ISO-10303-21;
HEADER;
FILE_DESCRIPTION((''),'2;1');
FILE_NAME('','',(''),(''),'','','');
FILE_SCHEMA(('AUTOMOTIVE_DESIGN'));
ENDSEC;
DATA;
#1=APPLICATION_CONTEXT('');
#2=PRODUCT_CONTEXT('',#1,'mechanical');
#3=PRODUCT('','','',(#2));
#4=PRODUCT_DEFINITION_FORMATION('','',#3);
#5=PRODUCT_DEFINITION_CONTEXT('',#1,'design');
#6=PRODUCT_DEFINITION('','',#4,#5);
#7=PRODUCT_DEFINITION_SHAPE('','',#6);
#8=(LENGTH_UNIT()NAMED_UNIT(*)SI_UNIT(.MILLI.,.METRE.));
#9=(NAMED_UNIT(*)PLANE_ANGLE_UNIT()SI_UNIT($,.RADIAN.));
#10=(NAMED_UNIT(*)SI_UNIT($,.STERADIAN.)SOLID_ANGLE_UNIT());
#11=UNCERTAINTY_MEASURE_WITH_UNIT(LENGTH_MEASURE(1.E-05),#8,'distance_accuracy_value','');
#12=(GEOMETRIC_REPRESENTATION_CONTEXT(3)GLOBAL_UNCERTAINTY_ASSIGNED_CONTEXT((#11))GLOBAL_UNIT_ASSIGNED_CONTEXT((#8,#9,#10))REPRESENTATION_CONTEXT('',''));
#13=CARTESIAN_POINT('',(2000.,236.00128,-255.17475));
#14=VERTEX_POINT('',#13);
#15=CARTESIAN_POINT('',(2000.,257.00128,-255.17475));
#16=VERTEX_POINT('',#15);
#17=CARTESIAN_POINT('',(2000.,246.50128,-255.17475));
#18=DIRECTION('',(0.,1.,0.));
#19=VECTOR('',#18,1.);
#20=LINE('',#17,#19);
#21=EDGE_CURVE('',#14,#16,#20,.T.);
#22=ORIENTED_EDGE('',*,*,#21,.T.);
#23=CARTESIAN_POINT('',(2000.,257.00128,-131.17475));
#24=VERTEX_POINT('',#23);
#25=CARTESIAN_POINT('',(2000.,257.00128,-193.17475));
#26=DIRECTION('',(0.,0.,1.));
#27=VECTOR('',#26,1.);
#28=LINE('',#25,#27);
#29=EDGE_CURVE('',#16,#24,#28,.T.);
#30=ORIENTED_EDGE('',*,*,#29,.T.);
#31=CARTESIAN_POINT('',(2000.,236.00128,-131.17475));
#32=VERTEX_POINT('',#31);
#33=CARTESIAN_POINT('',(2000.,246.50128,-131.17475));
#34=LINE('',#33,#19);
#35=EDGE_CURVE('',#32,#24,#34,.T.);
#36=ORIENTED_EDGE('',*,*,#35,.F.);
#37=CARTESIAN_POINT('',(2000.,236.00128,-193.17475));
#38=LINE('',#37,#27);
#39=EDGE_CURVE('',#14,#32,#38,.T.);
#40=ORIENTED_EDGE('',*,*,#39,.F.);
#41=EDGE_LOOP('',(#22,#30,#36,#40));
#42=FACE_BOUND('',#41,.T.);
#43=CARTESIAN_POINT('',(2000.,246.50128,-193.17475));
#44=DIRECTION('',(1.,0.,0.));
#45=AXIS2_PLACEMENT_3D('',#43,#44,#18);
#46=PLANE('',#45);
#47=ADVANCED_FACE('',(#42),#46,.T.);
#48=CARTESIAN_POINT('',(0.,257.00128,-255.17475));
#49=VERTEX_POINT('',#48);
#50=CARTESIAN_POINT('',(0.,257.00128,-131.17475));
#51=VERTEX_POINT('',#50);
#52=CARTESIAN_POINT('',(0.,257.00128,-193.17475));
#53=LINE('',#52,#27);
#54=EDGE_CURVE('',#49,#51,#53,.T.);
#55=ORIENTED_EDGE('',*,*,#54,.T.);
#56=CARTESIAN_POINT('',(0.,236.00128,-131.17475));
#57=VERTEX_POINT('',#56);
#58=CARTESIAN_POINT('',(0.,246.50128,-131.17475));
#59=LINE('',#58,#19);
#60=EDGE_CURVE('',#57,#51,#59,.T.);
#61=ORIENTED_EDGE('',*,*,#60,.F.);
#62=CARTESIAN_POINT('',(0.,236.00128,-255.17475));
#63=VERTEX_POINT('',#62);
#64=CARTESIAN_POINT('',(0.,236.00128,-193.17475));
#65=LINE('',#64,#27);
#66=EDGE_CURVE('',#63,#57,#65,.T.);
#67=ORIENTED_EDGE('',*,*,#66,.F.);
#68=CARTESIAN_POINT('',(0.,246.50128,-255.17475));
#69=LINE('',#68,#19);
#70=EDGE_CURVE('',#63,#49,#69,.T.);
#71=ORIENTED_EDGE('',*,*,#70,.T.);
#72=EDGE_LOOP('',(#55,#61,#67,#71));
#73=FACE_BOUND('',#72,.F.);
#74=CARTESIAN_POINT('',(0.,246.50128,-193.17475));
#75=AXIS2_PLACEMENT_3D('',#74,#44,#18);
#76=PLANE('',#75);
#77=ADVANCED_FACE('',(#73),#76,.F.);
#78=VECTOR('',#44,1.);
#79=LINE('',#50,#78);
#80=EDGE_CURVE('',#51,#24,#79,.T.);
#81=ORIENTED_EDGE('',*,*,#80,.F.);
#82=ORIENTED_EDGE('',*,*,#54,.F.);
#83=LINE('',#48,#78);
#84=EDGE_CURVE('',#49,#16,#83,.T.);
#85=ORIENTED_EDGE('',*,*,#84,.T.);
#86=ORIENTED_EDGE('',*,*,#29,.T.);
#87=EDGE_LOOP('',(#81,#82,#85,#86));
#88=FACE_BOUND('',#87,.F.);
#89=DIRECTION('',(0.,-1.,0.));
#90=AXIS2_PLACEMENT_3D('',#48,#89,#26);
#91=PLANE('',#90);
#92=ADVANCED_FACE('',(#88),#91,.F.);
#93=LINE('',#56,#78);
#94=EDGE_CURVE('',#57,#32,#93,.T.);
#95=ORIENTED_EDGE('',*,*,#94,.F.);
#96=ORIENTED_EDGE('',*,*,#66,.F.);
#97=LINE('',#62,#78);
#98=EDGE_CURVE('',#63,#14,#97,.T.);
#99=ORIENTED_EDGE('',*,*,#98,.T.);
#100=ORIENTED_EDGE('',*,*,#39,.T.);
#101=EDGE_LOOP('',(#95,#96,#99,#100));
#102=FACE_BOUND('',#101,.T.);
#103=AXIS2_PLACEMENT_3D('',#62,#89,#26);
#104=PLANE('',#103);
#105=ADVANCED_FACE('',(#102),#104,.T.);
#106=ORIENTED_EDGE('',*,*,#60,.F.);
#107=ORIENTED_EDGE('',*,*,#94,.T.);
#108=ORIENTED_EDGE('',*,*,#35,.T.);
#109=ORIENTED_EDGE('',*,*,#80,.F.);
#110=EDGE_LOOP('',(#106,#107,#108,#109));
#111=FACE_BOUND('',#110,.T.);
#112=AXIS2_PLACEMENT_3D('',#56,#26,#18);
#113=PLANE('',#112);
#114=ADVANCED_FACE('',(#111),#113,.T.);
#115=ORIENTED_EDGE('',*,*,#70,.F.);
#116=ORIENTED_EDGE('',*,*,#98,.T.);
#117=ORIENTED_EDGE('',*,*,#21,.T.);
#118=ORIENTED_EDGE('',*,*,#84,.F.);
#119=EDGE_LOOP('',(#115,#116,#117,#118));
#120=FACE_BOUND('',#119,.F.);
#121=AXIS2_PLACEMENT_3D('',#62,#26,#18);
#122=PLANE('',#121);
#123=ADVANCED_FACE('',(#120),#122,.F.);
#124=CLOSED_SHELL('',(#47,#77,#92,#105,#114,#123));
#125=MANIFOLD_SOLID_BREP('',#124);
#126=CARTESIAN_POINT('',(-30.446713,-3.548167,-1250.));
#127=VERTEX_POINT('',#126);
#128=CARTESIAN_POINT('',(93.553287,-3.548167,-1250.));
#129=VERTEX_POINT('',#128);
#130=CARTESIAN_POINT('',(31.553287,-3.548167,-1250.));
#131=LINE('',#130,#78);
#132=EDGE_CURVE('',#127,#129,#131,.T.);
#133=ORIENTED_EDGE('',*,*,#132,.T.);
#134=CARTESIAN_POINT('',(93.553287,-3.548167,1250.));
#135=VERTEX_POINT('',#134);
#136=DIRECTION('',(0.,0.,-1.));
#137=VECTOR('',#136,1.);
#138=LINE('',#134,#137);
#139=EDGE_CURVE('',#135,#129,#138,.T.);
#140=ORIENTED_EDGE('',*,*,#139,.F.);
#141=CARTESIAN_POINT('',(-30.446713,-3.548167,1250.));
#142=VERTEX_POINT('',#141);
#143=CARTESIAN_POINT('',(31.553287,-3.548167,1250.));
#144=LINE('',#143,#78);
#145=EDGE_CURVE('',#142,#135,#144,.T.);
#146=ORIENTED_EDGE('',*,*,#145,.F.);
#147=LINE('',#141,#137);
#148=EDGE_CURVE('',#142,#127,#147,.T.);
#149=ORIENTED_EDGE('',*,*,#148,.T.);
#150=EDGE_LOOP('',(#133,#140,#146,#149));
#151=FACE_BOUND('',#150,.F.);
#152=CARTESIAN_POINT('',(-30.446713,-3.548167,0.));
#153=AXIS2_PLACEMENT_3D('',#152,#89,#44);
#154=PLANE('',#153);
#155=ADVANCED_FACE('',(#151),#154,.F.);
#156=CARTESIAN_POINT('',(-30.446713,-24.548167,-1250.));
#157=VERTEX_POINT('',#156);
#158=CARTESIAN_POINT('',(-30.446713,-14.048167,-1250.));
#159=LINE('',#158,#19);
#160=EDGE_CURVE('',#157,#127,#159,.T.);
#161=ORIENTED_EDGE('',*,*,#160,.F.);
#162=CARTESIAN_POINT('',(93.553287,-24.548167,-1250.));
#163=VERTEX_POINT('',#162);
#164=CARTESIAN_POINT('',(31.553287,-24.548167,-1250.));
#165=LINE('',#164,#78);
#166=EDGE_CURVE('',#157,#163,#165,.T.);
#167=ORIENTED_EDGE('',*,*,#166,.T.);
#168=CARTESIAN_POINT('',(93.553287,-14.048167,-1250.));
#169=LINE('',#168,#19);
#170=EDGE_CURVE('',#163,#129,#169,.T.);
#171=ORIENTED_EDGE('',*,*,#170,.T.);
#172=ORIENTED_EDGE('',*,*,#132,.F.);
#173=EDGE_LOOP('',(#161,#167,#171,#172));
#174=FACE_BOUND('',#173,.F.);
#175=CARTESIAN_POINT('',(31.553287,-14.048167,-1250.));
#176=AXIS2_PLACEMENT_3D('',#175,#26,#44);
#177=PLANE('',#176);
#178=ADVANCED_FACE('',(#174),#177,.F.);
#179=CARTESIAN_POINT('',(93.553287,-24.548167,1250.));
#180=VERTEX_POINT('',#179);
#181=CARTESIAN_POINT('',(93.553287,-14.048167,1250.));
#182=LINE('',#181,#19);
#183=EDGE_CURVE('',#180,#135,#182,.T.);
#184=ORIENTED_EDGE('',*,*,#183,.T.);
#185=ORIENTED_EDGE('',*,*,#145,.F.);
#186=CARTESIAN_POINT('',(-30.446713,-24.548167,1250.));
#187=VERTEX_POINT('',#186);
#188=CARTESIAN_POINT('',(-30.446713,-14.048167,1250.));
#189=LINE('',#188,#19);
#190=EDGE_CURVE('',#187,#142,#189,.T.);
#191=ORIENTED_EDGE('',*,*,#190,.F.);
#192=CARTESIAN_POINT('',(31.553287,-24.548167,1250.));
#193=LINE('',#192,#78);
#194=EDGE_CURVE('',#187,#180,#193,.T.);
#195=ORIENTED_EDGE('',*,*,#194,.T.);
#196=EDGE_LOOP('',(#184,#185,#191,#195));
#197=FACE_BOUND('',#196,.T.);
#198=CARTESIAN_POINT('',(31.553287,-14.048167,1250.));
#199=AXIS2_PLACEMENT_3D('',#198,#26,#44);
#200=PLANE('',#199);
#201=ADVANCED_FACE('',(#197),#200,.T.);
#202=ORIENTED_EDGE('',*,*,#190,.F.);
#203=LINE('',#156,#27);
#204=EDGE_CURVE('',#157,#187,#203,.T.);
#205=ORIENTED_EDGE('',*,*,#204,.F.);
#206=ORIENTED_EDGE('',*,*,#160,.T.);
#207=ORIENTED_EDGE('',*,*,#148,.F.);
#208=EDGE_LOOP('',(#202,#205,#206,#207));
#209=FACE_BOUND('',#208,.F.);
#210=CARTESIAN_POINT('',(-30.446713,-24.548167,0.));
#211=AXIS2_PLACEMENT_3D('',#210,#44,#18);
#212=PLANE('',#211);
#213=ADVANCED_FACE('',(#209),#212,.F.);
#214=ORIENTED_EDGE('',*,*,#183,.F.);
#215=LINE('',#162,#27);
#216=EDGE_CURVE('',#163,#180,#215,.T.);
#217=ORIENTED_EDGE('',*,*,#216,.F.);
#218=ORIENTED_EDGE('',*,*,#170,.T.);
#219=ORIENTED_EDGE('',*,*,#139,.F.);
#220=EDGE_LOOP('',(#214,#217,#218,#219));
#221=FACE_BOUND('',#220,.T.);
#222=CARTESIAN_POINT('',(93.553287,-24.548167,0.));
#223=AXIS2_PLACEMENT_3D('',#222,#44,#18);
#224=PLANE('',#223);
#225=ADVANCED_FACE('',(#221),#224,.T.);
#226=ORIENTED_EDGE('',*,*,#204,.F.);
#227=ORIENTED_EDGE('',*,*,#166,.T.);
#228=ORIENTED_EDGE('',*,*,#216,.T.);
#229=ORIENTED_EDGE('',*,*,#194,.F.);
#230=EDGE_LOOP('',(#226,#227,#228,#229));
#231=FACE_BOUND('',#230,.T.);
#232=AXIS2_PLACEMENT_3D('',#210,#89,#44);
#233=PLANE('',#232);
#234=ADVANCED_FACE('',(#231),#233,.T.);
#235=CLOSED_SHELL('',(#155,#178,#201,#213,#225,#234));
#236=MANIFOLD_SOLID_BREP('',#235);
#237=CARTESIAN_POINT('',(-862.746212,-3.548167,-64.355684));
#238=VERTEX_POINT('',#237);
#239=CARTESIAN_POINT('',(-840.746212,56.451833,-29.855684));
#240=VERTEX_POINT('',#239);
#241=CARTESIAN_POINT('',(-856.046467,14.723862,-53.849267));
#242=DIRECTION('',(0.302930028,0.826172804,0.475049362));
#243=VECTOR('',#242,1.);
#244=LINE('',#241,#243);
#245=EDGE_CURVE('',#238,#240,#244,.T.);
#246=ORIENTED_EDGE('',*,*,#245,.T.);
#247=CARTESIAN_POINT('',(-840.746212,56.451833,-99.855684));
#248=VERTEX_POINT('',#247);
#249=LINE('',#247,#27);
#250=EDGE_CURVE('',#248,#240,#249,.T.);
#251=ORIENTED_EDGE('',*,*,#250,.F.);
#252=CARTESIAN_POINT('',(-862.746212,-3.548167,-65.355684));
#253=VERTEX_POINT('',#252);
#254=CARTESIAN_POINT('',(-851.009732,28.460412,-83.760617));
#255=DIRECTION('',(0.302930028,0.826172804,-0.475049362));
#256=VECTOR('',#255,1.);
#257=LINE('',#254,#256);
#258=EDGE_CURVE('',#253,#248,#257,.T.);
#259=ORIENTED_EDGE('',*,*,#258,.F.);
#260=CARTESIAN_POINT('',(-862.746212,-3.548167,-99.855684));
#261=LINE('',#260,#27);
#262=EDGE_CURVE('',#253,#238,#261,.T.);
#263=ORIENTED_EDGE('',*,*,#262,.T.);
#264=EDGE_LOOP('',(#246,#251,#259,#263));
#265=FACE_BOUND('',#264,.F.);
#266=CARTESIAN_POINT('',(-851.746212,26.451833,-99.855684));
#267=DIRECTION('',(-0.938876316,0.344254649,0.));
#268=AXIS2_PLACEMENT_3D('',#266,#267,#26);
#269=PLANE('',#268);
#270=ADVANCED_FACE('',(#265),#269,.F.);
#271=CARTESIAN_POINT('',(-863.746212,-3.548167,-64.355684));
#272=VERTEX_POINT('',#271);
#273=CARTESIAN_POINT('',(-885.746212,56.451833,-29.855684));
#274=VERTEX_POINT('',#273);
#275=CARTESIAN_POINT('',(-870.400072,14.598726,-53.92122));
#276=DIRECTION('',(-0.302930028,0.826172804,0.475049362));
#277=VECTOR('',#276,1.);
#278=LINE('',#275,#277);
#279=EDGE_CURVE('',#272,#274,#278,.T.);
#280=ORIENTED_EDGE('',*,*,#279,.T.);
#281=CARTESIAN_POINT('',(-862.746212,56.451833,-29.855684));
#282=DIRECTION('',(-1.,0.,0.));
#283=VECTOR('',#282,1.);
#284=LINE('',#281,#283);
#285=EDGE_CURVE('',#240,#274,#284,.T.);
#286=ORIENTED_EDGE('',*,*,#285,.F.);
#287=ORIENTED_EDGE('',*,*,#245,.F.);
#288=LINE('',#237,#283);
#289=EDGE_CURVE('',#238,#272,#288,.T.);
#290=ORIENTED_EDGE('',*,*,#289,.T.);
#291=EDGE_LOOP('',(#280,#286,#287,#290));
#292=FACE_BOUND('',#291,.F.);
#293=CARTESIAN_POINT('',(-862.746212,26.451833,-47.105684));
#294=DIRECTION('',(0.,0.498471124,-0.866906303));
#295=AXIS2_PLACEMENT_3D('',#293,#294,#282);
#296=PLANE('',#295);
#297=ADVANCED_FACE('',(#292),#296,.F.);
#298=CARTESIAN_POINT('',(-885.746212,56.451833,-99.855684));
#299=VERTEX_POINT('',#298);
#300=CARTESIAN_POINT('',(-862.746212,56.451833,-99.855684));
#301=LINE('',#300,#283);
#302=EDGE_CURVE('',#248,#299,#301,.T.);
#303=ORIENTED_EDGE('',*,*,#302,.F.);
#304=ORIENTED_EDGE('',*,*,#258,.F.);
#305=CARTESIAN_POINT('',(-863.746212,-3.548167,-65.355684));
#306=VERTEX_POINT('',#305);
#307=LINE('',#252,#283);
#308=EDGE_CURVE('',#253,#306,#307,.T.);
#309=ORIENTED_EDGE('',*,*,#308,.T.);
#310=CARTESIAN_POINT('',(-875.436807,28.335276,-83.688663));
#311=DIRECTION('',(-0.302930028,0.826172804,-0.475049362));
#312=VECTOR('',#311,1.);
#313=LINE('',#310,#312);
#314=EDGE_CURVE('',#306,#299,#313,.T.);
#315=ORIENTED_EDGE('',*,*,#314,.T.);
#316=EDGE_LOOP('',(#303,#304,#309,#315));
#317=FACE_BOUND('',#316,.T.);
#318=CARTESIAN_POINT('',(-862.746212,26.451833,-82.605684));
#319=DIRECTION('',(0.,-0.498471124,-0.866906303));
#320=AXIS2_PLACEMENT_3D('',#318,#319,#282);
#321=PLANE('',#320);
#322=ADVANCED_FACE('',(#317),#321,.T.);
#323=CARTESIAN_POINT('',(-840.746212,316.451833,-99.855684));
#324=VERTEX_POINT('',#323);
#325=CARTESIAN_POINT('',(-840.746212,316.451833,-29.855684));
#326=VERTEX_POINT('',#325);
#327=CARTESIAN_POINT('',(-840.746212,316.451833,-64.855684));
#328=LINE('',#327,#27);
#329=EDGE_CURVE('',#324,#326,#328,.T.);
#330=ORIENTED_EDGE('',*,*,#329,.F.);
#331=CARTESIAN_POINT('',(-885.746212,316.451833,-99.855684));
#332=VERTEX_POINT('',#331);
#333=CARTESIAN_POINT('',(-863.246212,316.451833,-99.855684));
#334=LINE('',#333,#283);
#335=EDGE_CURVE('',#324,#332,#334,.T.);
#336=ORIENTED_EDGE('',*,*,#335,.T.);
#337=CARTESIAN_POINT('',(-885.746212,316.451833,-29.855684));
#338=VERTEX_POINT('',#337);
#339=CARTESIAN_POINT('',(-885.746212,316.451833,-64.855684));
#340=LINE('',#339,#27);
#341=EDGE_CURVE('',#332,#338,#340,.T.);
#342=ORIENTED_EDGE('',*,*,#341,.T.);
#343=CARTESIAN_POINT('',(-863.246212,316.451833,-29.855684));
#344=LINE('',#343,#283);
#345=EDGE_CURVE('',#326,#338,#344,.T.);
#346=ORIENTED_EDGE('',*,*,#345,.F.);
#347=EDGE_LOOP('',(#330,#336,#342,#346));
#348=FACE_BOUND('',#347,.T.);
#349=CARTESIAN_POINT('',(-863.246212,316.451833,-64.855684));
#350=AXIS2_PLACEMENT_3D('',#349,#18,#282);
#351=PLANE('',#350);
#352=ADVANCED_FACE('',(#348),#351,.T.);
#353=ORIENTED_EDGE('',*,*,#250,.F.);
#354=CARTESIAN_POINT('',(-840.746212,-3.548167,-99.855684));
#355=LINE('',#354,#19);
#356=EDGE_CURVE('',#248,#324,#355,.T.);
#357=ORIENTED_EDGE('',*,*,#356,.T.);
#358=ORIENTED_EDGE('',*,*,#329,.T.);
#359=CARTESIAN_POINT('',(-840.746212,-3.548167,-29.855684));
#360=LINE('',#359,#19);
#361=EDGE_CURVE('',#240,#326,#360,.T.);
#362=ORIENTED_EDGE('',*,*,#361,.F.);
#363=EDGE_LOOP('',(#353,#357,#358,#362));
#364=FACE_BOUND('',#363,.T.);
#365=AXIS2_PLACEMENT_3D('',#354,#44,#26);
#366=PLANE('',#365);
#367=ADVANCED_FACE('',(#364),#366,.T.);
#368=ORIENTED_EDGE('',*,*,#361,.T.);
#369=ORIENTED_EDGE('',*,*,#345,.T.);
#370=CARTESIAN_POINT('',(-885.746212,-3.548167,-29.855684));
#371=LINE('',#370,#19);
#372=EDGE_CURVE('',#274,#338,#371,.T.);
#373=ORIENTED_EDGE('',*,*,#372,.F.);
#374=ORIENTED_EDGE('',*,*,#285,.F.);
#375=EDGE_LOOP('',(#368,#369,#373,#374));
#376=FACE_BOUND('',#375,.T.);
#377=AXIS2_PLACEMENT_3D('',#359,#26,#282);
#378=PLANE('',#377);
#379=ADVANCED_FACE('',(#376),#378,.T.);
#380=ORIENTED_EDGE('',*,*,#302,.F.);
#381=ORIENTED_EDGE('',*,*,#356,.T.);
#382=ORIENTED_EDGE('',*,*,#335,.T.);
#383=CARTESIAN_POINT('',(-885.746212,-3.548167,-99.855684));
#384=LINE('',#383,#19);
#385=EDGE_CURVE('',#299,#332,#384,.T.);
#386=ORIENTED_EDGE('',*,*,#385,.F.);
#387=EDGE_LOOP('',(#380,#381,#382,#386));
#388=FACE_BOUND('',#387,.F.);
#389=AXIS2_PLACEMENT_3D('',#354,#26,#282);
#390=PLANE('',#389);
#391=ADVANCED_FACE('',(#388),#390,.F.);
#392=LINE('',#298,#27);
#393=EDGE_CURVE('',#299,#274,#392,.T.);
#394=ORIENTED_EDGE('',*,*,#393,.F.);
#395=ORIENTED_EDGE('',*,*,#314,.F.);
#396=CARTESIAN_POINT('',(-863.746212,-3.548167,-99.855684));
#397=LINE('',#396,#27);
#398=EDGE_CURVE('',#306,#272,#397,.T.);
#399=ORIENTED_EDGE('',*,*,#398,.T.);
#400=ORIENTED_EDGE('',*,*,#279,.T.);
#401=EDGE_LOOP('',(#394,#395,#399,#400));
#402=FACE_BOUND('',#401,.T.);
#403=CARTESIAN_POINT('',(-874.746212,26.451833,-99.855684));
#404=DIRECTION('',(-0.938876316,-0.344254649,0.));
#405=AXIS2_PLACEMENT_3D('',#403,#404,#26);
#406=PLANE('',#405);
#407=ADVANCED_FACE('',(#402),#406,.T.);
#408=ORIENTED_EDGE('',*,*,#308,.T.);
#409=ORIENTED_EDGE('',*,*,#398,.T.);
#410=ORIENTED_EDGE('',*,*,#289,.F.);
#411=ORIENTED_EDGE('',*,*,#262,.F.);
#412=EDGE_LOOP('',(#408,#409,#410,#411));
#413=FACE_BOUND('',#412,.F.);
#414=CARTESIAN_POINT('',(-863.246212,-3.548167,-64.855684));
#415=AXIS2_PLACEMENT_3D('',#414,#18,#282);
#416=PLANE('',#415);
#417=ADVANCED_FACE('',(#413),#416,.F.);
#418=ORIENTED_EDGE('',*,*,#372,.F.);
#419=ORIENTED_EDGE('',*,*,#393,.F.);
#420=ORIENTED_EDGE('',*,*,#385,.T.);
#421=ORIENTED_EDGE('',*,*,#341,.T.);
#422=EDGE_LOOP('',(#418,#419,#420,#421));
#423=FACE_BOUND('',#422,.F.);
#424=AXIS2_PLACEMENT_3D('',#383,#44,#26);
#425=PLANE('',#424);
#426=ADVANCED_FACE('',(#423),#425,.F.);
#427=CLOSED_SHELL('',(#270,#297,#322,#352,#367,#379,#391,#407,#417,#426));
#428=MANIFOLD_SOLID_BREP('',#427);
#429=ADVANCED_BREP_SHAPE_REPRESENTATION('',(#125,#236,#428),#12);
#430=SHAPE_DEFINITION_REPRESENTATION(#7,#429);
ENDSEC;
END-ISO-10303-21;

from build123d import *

# Parameters (mm, degrees)
F0_W     = 124
F0_H     = 21
F1_DEPTH = 1250
F2_W     = 45
F2_H     = 70
F3_DEPTH = 320
F4_SIZE2 = 60
F4_SIZE  = 22
F5_SIZE2 = 60
F5_SIZE  = 34.5
F6_W     = 21
F6_H     = 124
F7_DEPTH = 2000


with BuildPart() as f1:
    # F0 (on Top) → F1 (new body, symmetric)
    with BuildSketch(Plane.XY):
        with Locations((31.553287496, -14.0481669903)):
            Rectangle(F0_W, F0_H)
    extrude(amount=F1_DEPTH, both=True)


with BuildPart() as f3:
    # F2 (on face) → F3 (new body)
    with BuildSketch(Plane(origin=(0, -3.5481669903, 0), x_dir=(-1, 0, 0), z_dir=(0, 1, 0))):
        with Locations((863.2462115258, -64.8556835949)):
            Rectangle(F2_W, F2_H)
    extrude(amount=F3_DEPTH)

    # F4
    f4_edges = [f3.edges().sort_by_distance(p)[0] for p in [
        (-840.746212, -3.548167, -64.855684),
        (-885.746212, -3.548167, -64.855684),
    ]]
    f4_side = f3.faces().sort_by_distance((-863.246212, -3.548167, -64.855684))[0]
    chamfer(f4_edges, length=F4_SIZE, length2=F4_SIZE2, reference=f4_side)

    # F5
    f5_edges = [f3.edges().sort_by_distance(p)[0] for p in [
        (-863.246212, -3.548167, -99.855684),
        (-863.246212, -3.548167, -29.855684),
    ]]
    f5_side = f3.faces().sort_by_distance((-863.246212, -3.548167, -64.855684))[0]
    chamfer(f5_edges, length=F5_SIZE, length2=F5_SIZE2, reference=f5_side)


with BuildPart() as f7:
    # F6 (on Right) → F7 (new body)
    with BuildSketch(Plane.YZ):
        with Locations((246.501280446, -193.1747496128)):
            Rectangle(F6_W, F6_H)
    extrude(amount=F7_DEPTH)


solid = Compound([f1.part, f3.part, f7.part])
